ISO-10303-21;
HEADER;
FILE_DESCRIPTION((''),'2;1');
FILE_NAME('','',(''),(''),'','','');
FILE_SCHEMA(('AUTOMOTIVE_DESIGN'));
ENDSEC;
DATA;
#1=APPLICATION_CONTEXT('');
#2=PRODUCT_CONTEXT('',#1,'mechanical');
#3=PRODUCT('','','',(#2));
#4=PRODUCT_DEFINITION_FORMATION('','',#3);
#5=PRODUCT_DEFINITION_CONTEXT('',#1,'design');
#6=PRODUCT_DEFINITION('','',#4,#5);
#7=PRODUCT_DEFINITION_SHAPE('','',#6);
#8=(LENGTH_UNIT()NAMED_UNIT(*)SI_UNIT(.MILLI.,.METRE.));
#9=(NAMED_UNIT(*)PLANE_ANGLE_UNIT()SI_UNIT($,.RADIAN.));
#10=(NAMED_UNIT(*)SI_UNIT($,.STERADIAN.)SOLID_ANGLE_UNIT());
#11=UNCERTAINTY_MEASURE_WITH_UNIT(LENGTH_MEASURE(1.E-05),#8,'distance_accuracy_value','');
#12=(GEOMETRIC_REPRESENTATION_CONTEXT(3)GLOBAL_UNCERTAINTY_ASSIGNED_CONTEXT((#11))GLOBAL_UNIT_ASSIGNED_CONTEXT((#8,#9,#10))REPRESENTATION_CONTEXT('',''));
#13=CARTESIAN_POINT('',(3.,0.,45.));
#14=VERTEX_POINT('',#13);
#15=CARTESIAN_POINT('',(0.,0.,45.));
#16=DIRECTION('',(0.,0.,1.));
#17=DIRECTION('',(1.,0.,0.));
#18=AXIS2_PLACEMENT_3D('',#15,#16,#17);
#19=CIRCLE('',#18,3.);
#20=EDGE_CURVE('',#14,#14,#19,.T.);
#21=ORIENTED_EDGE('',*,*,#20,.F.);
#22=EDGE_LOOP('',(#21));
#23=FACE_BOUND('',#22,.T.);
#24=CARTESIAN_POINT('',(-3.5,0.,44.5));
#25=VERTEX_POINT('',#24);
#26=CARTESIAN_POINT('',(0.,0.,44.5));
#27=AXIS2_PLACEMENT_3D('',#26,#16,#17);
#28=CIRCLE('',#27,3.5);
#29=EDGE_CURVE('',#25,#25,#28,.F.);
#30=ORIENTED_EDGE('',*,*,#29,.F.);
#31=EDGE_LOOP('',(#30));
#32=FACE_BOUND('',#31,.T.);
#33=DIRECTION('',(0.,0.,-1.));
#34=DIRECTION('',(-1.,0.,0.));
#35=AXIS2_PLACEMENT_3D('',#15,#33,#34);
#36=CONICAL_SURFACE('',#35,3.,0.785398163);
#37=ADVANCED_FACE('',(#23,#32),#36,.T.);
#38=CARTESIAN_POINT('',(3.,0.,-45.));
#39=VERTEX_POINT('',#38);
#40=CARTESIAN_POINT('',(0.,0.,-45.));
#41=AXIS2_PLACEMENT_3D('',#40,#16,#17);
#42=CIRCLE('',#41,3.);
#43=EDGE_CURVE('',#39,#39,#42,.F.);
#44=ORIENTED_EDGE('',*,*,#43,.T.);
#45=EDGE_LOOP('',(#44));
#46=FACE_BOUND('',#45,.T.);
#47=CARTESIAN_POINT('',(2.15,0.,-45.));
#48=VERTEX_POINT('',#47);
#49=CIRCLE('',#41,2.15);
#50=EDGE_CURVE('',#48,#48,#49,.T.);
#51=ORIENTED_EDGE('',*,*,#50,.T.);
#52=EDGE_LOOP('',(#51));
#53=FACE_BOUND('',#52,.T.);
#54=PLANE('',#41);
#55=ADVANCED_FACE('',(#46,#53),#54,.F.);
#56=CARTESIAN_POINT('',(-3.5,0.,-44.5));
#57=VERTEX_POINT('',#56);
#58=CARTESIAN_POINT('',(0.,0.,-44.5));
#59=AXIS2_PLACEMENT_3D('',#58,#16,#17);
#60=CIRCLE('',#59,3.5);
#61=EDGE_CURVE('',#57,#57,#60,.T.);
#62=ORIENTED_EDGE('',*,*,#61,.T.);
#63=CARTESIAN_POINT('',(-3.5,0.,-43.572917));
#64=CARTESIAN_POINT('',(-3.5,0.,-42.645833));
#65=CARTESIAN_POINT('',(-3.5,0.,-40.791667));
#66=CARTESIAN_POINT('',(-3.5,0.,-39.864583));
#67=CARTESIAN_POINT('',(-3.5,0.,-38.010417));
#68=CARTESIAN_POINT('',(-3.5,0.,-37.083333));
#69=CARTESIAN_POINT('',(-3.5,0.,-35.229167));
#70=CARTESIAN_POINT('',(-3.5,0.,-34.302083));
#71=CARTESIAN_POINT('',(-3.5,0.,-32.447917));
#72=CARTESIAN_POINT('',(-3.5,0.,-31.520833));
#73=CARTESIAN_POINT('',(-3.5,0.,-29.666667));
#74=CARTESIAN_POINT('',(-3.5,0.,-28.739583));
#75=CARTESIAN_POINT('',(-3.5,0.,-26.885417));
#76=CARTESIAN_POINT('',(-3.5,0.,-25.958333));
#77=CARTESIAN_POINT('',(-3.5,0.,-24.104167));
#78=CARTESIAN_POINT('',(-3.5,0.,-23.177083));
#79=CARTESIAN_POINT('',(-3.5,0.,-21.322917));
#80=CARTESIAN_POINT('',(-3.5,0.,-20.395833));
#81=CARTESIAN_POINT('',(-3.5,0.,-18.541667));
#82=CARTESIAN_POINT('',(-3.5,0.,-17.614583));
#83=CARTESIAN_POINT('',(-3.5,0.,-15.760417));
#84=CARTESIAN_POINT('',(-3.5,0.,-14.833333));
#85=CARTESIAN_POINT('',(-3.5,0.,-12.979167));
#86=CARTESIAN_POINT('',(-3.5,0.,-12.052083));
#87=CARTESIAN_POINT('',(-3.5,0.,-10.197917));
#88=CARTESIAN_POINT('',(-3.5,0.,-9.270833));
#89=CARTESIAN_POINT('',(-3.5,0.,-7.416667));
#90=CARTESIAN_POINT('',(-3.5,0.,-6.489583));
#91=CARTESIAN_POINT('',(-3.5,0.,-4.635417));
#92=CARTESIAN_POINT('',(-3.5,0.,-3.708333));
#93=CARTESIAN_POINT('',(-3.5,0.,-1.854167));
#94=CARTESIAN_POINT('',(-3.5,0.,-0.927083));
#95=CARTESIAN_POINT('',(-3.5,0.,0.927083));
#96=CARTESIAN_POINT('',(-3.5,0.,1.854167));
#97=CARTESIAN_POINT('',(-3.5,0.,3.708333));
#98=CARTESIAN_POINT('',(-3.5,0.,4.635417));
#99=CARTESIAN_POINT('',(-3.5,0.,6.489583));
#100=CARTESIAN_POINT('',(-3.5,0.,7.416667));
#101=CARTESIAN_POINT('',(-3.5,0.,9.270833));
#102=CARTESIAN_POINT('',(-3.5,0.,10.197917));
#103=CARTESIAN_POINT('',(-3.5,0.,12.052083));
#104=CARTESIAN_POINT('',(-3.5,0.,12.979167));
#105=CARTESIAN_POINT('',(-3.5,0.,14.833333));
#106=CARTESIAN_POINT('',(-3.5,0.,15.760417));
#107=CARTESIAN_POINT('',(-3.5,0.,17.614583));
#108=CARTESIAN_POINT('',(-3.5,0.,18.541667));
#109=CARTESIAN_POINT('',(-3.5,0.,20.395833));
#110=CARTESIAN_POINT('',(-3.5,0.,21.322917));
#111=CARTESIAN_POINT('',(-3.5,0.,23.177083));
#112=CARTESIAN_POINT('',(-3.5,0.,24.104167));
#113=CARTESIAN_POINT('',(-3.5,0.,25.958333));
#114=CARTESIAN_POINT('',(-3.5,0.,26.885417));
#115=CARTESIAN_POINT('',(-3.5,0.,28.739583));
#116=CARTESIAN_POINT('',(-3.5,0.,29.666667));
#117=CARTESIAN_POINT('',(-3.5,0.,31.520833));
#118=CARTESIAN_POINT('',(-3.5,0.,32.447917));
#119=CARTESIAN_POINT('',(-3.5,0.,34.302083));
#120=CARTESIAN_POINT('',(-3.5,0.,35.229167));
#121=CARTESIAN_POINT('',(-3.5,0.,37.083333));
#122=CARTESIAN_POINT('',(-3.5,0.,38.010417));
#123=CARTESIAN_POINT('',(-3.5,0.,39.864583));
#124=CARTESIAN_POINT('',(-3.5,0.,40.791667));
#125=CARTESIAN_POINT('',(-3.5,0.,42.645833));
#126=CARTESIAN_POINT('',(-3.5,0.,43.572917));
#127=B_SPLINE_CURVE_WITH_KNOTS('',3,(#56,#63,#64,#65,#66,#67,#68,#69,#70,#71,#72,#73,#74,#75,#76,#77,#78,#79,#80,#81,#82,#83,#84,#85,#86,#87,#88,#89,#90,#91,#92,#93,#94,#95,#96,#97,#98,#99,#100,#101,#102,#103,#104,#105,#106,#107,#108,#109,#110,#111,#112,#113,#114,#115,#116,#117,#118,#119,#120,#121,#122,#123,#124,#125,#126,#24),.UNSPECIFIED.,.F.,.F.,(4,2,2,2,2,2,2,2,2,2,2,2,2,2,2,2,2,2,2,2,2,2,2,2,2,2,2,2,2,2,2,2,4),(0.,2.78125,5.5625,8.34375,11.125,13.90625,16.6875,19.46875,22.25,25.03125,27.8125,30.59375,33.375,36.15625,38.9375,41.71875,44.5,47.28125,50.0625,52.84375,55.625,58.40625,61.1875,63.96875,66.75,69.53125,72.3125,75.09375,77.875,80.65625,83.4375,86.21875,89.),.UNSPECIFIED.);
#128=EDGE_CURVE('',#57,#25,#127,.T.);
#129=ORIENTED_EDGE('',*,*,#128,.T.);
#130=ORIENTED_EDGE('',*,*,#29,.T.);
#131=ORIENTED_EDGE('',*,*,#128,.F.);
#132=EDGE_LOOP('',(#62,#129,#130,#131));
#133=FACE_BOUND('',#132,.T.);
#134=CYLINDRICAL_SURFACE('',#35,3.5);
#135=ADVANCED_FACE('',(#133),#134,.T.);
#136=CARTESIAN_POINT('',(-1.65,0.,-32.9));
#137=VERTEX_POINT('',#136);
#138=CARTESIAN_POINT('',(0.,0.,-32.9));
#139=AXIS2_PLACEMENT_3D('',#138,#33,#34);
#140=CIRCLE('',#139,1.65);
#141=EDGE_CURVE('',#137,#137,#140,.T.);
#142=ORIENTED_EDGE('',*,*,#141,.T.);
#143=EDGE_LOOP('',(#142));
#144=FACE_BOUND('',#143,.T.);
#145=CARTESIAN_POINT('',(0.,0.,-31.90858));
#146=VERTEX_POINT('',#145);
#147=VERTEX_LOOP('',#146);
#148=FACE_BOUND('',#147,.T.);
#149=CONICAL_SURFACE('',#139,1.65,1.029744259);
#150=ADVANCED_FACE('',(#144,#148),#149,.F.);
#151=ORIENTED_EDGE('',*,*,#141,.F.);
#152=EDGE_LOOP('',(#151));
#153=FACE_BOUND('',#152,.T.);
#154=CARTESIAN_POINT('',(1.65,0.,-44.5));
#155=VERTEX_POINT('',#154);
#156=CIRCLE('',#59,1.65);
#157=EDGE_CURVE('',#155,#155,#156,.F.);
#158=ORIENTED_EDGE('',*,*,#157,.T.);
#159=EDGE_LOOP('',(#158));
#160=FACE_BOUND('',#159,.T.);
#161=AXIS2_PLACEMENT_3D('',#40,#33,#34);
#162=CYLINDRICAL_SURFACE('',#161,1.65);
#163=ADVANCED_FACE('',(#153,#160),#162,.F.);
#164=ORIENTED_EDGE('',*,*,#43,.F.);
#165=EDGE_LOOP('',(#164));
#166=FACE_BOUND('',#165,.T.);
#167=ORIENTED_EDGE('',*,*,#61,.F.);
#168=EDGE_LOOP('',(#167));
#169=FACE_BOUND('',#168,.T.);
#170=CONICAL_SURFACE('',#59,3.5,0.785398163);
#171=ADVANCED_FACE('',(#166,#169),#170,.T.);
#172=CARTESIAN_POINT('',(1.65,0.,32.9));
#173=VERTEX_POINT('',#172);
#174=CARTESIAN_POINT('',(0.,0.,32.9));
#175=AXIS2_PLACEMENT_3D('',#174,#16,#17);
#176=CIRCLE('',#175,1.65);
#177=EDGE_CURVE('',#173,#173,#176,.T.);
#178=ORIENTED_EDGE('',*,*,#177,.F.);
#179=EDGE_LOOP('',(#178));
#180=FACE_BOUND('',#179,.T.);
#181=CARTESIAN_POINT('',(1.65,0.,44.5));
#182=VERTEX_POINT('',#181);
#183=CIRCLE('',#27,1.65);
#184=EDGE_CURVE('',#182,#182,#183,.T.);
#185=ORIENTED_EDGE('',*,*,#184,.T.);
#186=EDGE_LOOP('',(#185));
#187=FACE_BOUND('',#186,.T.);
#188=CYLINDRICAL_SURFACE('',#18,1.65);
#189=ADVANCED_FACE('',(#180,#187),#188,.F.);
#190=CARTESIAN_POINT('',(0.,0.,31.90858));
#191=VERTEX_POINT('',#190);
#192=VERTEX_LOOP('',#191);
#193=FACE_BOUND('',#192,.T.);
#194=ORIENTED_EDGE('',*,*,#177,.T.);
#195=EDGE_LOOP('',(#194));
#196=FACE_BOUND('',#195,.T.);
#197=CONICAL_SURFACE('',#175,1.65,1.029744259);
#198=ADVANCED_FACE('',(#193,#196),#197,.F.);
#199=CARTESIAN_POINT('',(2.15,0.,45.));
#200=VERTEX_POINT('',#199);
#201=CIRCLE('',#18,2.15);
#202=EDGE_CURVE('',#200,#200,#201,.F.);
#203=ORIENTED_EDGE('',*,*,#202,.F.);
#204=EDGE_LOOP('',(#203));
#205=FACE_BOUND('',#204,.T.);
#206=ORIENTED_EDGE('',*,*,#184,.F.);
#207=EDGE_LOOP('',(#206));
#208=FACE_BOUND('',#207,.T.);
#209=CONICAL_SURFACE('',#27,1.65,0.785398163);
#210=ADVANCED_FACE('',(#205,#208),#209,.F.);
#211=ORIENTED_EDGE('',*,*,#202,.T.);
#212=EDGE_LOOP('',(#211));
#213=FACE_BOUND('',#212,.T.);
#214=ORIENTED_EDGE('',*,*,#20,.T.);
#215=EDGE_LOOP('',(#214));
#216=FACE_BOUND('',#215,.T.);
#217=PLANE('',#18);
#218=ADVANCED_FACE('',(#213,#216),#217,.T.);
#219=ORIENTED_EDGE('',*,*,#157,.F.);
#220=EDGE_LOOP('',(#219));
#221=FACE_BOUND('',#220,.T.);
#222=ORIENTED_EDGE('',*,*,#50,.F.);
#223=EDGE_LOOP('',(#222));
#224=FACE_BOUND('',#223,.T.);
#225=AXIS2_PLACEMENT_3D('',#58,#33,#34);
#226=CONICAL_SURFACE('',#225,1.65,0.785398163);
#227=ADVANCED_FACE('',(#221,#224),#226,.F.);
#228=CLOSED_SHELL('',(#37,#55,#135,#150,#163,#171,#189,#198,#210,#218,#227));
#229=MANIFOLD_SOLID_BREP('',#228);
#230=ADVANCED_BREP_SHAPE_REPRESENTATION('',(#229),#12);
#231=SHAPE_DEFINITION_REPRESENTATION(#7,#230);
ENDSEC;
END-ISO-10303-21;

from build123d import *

# Parameters (mm, degrees)
SKETCH_1_R                       = 3.5
EXTRUDE_1_DEPTH                  = 45
HOLE_WIZARD_M4_1_D               = 3.3
HOLE_WIZARD_M4_1_DEPTH           = 12.1
HOLE_WIZARD_M4_1_TIP             = 0.991420021
HOLE_WIZARD_M4_1_ON_FACE_2_D     = 3.3
HOLE_WIZARD_M4_1_ON_FACE_2_DEPTH = 12.1
HOLE_WIZARD_M4_1_ON_FACE_2_TIP   = 0.991420021
CHAMFER_1_SIZE                   = 0.5


with BuildPart() as part:
    # 草图1 → 拉伸1 (new, symmetric)
    with BuildSketch(Plane.XY):
        with Locations(Location((0, 0, 0), (0, 0, 180))):
            Circle(SKETCH_1_R)
    extrude(amount=EXTRUDE_1_DEPTH, both=True)

    # M4 螺纹孔1
    with Locations(Plane.XY.offset(45)):
        with Locations((0, 0)):
            Hole(HOLE_WIZARD_M4_1_D / 2, depth=HOLE_WIZARD_M4_1_DEPTH)
            with Locations((0, 0, -(HOLE_WIZARD_M4_1_DEPTH + HOLE_WIZARD_M4_1_TIP / 2))):  # 118° drill point
                Cone(0, HOLE_WIZARD_M4_1_D / 2, HOLE_WIZARD_M4_1_TIP, mode=Mode.SUBTRACT)

    # M4 螺纹孔1 on face 2
    with Locations(Plane(origin=(0, 0, -45), x_dir=(-1, 0, 0), z_dir=(0, 0, -1))):
        with Locations((0, 0)):
            Hole(HOLE_WIZARD_M4_1_ON_FACE_2_D / 2, depth=HOLE_WIZARD_M4_1_ON_FACE_2_DEPTH)
            with Locations((0, 0, -(HOLE_WIZARD_M4_1_ON_FACE_2_DEPTH + HOLE_WIZARD_M4_1_ON_FACE_2_TIP / 2))):  # 118° drill point
                Cone(0, HOLE_WIZARD_M4_1_ON_FACE_2_D / 2, HOLE_WIZARD_M4_1_ON_FACE_2_TIP, mode=Mode.SUBTRACT)

    # 倒角1
    chamfer_1_edges = [part.edges().sort_by_distance(p)[0] for p in [
        (3.5, 0, -45),
        (3.5, 0, 45),
        (-1.65, 0, -45),
        (1.65, 0, 45),
    ]]
    chamfer(chamfer_1_edges, length=CHAMFER_1_SIZE)


solid = part.part
